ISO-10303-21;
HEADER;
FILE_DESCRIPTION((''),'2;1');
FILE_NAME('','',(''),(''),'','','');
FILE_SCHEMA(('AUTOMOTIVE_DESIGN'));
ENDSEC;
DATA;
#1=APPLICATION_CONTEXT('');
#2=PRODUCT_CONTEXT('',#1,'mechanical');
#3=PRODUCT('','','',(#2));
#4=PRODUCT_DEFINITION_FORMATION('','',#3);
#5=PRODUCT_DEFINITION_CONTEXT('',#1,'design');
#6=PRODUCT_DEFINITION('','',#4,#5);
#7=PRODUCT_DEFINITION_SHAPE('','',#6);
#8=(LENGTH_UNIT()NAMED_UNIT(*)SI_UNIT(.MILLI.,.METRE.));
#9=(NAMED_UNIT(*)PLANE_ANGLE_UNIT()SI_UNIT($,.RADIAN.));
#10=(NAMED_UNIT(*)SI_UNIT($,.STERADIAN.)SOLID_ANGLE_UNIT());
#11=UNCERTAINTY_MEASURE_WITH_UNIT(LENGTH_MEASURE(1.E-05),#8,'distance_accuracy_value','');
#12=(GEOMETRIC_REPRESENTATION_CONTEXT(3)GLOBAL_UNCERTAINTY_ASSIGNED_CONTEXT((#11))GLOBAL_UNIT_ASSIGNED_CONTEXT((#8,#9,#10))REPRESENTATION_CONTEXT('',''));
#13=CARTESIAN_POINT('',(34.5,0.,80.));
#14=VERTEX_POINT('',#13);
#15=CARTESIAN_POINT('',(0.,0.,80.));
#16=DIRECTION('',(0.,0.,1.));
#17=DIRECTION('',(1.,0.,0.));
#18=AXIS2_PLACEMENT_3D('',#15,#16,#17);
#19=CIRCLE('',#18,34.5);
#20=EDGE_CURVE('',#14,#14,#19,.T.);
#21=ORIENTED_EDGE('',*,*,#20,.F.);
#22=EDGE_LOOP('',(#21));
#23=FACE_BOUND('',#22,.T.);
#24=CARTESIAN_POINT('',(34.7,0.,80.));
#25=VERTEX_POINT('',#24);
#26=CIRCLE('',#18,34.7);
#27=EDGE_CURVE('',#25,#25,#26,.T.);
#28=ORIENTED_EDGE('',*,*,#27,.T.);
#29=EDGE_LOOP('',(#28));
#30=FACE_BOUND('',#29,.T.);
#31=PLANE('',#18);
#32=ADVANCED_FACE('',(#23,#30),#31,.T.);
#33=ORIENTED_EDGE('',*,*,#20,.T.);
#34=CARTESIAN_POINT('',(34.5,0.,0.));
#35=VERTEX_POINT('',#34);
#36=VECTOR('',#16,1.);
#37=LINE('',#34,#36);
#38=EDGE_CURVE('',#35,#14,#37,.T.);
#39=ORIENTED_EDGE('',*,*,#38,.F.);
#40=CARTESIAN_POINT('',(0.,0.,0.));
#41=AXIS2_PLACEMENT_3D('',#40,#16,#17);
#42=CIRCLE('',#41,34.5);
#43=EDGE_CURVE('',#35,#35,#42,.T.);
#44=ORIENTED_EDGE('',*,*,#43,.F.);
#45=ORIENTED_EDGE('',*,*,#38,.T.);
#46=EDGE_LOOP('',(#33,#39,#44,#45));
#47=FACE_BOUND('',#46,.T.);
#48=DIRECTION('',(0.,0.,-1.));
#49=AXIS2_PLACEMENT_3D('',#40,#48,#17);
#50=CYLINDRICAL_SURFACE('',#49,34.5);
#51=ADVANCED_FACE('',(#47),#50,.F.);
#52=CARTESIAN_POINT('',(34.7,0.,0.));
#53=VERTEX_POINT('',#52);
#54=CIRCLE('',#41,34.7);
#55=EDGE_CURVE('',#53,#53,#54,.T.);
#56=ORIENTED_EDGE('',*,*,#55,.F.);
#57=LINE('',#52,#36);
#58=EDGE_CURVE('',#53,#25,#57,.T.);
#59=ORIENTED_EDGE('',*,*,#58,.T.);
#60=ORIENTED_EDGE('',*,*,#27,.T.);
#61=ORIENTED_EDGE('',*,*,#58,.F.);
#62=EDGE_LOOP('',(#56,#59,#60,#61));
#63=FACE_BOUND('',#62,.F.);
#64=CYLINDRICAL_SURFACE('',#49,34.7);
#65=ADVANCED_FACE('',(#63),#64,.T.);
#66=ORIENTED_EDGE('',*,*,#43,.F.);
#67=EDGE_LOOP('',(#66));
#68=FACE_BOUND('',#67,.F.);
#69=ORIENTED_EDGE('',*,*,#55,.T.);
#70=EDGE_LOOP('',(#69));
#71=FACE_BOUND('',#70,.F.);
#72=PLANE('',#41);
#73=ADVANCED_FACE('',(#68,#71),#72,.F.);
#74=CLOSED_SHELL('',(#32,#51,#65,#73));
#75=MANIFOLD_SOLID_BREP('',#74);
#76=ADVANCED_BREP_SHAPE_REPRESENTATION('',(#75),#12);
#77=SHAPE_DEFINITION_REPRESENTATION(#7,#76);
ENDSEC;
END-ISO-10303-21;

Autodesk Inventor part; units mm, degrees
ref_plane "YZ Plane" through (0, 0, 0) normal (1, 0, 0) x (0, 1, 0)
ref_plane "XZ Plane" through (0, 0, 0) normal (0, 1, 0) x (-1, 0, 0)
ref_plane "XY Plane" through (0, 0, 0) normal (0, 0, 1) x (1, 0, 0)
sketch "Sketch1" plane through (0, 0, 0) normal (0, 0, 1) x (1, 0, 0)
  circle A0 centre (0, 0) radius 34.7
  circle A1 centre (0, 0) radius 34.5
  dimension "d0" = 69
  dimension "d1" = 0.2
extrude "Extrusion1" add sketch "Sketch1" along normal blind 80
properties part number "probe-port-mesh" material "Stainless Steel"
